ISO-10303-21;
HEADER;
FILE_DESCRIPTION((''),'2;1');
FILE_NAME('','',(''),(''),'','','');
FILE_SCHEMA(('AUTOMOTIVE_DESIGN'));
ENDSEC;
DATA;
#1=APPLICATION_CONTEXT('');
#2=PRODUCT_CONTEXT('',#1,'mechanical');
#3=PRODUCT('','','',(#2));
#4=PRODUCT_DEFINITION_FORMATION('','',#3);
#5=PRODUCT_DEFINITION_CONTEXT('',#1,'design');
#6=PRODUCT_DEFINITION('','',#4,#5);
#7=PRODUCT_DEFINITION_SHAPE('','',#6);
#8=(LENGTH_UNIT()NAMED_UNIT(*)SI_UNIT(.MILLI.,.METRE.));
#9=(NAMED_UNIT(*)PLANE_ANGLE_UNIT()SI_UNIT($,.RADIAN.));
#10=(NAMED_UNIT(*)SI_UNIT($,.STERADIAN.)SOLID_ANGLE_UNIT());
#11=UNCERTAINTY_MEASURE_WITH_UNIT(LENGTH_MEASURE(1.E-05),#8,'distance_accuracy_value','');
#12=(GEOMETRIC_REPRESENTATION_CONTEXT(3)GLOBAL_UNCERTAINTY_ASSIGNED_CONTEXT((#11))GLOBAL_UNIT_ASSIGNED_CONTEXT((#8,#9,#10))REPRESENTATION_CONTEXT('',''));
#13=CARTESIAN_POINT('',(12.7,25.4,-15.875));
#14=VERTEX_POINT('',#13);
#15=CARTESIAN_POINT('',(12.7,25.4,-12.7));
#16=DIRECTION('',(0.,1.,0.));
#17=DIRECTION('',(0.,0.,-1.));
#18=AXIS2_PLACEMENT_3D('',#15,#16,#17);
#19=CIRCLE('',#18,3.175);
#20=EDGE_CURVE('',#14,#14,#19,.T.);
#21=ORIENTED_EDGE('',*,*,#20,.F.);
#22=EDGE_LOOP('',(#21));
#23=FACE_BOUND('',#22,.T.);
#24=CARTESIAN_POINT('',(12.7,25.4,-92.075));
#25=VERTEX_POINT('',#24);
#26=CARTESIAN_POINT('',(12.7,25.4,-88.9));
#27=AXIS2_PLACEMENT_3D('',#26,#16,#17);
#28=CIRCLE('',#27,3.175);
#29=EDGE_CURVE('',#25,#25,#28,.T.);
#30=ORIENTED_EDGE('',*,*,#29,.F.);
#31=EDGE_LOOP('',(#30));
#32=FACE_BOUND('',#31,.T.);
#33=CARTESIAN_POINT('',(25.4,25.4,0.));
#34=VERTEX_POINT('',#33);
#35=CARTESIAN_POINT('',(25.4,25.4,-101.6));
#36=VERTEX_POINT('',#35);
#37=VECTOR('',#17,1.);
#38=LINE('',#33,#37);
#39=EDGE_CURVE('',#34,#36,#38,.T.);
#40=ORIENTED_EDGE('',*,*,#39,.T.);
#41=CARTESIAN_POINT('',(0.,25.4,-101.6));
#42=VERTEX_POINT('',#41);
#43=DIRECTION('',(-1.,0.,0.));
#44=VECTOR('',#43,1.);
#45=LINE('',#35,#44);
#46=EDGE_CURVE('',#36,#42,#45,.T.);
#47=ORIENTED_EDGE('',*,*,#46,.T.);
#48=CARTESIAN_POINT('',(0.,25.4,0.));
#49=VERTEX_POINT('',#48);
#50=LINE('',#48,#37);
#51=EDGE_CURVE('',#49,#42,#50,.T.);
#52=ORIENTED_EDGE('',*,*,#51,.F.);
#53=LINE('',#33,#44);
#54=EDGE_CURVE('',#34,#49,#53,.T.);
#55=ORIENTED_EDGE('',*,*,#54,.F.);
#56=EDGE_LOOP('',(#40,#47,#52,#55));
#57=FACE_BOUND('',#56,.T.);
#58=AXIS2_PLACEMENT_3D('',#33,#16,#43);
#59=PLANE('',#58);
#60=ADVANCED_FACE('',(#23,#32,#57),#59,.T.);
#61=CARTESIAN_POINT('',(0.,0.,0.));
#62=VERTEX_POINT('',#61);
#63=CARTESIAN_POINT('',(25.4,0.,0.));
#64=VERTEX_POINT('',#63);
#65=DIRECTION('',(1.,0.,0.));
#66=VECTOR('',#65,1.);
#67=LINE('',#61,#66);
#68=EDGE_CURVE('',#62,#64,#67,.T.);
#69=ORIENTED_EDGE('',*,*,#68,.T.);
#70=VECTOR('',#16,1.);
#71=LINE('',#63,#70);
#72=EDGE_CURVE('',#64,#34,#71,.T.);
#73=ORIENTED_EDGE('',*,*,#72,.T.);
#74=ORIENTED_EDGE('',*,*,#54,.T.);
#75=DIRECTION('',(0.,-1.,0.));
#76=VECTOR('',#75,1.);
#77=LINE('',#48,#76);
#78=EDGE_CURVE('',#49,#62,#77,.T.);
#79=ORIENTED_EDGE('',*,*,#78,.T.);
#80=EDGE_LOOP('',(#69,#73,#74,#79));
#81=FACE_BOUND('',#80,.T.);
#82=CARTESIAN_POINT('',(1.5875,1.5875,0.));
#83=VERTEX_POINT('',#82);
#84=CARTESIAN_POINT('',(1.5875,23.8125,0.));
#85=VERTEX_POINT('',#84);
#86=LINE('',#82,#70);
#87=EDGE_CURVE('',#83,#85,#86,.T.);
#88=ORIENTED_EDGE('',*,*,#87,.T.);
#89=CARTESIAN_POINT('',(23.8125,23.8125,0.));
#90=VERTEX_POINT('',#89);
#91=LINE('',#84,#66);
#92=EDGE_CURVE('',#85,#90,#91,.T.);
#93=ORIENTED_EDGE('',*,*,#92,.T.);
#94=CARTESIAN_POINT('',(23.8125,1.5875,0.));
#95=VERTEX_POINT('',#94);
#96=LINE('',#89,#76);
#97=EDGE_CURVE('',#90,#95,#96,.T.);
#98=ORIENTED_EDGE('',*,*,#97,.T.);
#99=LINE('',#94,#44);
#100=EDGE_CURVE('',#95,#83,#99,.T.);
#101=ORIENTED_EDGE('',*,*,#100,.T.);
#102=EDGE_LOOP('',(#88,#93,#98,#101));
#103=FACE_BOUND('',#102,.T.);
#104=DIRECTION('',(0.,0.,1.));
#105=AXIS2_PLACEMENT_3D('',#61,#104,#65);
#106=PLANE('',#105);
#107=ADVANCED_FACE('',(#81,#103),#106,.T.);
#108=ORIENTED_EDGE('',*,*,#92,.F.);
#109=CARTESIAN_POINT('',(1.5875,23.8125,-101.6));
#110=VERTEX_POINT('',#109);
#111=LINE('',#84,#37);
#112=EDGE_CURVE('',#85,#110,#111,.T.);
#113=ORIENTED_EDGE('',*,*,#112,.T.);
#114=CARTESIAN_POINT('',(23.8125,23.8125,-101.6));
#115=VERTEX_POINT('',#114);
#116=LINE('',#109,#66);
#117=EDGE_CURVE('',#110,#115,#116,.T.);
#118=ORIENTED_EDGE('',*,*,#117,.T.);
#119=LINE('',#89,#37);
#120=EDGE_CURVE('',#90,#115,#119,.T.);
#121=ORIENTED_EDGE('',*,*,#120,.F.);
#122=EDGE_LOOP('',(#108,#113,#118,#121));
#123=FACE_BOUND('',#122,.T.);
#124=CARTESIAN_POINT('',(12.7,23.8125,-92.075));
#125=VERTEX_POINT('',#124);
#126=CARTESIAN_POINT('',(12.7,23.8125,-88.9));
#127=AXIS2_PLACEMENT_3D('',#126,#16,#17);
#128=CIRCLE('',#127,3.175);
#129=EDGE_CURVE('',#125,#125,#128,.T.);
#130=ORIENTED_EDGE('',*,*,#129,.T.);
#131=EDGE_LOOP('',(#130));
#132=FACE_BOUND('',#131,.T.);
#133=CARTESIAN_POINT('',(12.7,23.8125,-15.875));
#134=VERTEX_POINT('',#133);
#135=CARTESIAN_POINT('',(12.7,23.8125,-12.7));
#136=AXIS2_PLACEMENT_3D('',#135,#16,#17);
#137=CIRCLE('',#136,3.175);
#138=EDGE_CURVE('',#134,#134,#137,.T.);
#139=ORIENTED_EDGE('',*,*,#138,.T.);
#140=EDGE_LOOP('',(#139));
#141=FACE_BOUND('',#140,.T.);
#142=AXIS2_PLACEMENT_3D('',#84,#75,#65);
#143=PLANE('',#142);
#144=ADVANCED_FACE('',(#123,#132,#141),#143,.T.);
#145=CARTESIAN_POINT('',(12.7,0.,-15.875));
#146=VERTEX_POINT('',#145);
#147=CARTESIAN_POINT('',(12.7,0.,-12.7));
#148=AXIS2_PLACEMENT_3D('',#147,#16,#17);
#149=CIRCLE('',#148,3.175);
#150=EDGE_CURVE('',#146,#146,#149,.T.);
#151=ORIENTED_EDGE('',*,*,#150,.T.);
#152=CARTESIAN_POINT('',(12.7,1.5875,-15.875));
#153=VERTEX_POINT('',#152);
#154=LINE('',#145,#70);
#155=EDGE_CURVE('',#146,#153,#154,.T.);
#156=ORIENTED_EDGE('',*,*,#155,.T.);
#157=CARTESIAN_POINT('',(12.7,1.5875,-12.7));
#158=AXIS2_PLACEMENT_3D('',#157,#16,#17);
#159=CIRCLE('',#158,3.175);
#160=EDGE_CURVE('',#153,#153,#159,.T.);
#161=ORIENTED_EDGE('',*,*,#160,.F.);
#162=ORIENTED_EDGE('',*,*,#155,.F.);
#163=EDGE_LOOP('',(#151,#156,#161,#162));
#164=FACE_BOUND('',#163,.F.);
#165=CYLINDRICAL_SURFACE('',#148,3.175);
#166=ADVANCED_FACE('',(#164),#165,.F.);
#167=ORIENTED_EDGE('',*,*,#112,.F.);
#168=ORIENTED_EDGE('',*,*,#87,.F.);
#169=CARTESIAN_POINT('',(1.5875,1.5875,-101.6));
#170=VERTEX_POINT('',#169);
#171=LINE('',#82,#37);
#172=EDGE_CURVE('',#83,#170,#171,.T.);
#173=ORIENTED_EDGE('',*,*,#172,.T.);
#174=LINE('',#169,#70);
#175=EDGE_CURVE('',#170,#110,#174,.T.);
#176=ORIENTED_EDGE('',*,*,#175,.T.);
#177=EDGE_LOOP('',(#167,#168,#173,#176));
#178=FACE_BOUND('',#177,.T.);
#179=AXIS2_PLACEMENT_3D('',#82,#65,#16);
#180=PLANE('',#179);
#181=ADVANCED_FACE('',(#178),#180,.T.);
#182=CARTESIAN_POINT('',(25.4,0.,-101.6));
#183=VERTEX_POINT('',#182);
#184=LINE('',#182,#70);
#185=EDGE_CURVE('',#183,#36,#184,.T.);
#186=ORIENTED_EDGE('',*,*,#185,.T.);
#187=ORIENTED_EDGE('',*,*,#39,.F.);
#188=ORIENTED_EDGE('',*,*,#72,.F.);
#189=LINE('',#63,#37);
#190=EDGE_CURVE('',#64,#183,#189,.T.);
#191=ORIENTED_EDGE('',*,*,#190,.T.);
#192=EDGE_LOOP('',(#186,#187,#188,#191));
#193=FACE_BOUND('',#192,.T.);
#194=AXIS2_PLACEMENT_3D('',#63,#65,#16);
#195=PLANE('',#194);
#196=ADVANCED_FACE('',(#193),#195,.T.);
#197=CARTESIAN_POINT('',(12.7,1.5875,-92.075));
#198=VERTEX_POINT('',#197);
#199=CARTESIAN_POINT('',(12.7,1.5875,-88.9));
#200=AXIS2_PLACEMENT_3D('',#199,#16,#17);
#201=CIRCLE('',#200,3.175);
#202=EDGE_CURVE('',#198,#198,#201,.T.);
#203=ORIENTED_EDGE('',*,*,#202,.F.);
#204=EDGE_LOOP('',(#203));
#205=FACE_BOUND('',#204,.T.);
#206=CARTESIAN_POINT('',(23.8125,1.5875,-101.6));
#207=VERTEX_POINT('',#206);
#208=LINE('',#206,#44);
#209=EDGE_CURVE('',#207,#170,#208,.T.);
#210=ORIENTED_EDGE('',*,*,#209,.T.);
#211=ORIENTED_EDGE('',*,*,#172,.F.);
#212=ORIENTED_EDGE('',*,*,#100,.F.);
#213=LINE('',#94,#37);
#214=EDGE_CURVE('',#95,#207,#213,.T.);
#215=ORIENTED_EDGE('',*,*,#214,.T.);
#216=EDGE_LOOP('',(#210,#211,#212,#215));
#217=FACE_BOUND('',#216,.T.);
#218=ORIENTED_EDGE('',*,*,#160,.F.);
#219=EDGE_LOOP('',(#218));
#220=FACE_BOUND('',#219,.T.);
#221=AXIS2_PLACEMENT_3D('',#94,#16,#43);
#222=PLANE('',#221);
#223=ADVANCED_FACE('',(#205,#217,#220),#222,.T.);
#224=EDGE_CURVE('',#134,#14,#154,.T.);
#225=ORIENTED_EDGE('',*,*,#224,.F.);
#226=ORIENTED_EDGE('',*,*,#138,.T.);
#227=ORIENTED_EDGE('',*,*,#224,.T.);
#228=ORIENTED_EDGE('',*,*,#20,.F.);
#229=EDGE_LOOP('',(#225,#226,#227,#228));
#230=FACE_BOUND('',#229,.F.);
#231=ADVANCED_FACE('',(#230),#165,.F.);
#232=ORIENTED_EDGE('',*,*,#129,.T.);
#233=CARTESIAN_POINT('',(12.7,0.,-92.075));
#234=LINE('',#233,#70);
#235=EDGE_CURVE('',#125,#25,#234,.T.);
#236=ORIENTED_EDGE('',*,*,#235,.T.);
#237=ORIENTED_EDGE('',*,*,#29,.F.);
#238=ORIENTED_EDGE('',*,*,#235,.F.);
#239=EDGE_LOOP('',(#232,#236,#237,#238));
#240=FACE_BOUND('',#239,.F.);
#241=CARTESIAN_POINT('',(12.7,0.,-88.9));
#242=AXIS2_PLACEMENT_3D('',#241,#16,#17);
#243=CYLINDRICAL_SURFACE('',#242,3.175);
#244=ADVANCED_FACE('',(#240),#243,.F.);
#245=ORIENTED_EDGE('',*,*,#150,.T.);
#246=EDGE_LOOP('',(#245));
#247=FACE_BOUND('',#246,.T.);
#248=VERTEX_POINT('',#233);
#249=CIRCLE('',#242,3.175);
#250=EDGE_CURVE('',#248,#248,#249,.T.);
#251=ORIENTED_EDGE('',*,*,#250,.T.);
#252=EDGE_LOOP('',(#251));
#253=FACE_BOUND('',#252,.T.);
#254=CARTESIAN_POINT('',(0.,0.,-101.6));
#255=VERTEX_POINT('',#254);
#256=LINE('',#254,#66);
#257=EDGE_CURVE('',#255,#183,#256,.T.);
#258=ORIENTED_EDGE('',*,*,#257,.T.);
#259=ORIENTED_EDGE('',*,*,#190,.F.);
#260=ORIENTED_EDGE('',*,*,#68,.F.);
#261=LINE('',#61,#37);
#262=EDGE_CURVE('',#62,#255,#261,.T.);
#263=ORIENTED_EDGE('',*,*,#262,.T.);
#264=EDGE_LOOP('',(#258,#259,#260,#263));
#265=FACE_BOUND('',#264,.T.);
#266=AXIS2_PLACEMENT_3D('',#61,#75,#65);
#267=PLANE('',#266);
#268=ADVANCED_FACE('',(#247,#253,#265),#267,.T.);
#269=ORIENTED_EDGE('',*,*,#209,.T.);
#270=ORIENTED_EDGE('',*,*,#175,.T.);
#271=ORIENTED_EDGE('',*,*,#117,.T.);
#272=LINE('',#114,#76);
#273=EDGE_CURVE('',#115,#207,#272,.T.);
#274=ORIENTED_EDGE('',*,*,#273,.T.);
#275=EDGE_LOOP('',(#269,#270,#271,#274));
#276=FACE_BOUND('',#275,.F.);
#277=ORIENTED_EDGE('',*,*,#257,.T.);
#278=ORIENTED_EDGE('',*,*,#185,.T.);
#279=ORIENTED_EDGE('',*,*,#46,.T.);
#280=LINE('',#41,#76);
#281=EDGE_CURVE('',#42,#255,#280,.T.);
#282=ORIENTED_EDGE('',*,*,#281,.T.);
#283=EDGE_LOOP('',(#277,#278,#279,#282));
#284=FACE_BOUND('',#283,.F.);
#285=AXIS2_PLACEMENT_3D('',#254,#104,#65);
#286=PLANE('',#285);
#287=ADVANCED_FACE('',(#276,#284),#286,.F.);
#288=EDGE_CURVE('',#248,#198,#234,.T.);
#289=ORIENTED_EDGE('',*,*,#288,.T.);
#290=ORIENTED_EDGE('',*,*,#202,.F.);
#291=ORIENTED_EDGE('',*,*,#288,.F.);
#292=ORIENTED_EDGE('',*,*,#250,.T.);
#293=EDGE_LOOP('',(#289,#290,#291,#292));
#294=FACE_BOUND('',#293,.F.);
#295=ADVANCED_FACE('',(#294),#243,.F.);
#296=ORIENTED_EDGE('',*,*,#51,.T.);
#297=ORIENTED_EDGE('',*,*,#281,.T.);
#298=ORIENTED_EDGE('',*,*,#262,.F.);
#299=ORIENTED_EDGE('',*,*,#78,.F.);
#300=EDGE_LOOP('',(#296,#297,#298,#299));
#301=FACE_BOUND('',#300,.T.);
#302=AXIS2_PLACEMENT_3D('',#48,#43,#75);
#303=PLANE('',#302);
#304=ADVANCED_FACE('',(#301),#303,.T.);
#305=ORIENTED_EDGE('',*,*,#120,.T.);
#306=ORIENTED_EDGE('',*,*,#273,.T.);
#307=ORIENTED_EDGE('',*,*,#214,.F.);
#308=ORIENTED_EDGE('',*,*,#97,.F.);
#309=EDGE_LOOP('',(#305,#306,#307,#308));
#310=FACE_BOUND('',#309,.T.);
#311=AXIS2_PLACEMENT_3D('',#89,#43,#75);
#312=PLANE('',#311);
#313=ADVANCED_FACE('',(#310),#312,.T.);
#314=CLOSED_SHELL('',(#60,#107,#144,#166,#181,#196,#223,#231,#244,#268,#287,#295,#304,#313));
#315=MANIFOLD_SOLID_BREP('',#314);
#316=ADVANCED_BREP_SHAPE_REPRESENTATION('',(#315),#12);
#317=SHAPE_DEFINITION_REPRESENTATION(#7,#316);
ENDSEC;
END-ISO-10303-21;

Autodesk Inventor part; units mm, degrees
ref_plane "YZ Plane" through (0, 0, 0) normal (1, 0, 0) x (0, 1, 0)
ref_plane "XZ Plane" through (0, 0, 0) normal (0, 1, 0) x (-1, 0, 0)
ref_plane "XY Plane" through (0, 0, 0) normal (0, 0, 1) x (1, 0, 0)
sketch "Sketch1" plane through (0, 0, 0) normal (0, 0, 1) x (1, 0, 0)
  line L0 (0, 0) -> (25.4, 0)
  line L1 (25.4, 0) -> (25.4, 25.4)
  line L2 (25.4, 25.4) -> (0, 25.4)
  line L3 (0, 25.4) -> (0, 0)
  line L4 (1.5875, 23.8125) -> (23.8125, 23.8125)
  line L5 (23.8125, 23.8125) -> (23.8125, 1.5875)
  line L6 (23.8125, 1.5875) -> (1.5875, 1.5875)
  line L7 (1.5875, 1.5875) -> (1.5875, 23.8125)
  dimension "d0" = 25.4
  dimension "d1" = 25.4
  dimension "d2" = 1.5875
extrude "Extrusion1" add sketch "Sketch1" against normal blind 101.6
sketch "Sketch3" plane through (0, 0, 0) normal (0, -1, 0) x (1, 0, 0)
  line L0 (0, -101.6) -> (25.4, -101.6) projected
  line L1 (0, 0) -> (25.4, 0) projected
  point P0 (12.7, -12.7)
  point P1 (12.7, -88.9)
  dimension "d7" = 12.7
  dimension "d8" = 12.7
hole "Hole2" at (12.7, 0, -12.7) at (12.7, 0, -88.9) direction (0, 1, 0) diameter 6.35 depth 25.4 tip angle 118
properties part number "tube_l_f_out"
